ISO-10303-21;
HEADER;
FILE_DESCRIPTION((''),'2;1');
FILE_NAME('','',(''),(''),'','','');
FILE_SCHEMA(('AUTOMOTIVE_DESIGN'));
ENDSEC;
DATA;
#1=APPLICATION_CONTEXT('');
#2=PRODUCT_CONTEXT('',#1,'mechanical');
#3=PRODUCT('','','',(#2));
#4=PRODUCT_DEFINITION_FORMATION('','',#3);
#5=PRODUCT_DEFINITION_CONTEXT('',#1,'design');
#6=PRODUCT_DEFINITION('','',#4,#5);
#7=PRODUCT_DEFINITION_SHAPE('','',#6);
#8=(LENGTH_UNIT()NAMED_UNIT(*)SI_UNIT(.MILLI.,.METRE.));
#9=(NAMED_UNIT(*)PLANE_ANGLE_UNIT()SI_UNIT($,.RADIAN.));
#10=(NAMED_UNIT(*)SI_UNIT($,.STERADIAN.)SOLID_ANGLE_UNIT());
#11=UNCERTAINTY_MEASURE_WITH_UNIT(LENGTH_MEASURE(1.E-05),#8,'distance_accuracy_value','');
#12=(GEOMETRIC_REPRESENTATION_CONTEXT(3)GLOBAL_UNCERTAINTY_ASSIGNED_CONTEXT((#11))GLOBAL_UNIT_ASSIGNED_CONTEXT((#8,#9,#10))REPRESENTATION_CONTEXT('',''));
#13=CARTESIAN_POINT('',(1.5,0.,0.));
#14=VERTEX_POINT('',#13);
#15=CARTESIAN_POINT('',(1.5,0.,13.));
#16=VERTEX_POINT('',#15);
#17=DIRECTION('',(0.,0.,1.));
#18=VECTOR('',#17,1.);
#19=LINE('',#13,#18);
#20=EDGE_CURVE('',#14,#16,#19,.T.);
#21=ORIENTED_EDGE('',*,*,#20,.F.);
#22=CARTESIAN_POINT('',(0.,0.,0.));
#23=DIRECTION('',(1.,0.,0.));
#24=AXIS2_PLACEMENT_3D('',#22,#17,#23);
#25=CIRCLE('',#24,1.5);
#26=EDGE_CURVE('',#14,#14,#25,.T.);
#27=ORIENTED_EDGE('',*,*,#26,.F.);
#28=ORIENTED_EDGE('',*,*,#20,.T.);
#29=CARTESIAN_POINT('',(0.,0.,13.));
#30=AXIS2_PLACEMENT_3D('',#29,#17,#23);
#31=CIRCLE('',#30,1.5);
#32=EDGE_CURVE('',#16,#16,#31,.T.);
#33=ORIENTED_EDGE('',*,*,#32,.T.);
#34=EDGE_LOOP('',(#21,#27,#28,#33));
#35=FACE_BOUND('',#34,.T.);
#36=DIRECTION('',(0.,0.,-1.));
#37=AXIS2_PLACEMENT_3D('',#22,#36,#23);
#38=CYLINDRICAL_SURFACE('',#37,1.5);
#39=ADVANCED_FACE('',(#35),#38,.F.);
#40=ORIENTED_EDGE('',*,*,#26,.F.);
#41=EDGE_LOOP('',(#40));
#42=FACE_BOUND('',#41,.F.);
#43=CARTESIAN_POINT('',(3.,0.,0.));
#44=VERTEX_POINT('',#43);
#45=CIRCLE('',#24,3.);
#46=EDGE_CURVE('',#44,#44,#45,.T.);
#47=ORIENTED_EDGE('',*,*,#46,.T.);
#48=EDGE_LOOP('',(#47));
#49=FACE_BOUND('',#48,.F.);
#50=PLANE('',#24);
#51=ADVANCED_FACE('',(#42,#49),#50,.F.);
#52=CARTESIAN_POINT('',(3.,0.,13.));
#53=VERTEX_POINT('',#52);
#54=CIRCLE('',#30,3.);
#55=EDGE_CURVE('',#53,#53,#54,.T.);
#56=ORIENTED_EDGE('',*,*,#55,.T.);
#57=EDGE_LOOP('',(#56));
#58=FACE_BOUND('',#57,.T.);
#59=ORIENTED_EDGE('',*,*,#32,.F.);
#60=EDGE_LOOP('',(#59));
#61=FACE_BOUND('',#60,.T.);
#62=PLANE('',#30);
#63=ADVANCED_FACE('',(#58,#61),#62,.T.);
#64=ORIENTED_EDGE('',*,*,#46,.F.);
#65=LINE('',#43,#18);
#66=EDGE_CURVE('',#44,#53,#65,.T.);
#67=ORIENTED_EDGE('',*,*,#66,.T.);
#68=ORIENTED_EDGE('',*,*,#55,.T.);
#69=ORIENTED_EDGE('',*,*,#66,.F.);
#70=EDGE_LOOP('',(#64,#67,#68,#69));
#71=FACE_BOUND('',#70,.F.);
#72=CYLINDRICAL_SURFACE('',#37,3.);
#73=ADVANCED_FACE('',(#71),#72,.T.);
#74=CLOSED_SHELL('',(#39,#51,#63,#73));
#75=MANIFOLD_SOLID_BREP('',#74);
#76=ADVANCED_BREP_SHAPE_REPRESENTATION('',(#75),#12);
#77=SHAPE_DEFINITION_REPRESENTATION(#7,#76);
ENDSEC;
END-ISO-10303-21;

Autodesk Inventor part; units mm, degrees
ref_plane "YZ Plane" through (0, 0, 0) normal (1, 0, 0) x (0, 1, 0)
ref_plane "XZ Plane" through (0, 0, 0) normal (0, 1, 0) x (-1, 0, 0)
ref_plane "XY Plane" through (0, 0, 0) normal (0, 0, 1) x (1, 0, 0)
sketch "スケッチ1" plane through (0, 0, 0) normal (0, 0, 1) x (1, 0, 0)
  circle A0 centre (0, 0) radius 3
  circle A1 centre (0, 0) radius 1.5
  dimension "d0" = 6
  dimension "d1" = 3
extrude "押し出し1" add sketch "スケッチ1" along normal blind 13
properties part number "スペーサーm3,13" material "アルミニウム 7075"
